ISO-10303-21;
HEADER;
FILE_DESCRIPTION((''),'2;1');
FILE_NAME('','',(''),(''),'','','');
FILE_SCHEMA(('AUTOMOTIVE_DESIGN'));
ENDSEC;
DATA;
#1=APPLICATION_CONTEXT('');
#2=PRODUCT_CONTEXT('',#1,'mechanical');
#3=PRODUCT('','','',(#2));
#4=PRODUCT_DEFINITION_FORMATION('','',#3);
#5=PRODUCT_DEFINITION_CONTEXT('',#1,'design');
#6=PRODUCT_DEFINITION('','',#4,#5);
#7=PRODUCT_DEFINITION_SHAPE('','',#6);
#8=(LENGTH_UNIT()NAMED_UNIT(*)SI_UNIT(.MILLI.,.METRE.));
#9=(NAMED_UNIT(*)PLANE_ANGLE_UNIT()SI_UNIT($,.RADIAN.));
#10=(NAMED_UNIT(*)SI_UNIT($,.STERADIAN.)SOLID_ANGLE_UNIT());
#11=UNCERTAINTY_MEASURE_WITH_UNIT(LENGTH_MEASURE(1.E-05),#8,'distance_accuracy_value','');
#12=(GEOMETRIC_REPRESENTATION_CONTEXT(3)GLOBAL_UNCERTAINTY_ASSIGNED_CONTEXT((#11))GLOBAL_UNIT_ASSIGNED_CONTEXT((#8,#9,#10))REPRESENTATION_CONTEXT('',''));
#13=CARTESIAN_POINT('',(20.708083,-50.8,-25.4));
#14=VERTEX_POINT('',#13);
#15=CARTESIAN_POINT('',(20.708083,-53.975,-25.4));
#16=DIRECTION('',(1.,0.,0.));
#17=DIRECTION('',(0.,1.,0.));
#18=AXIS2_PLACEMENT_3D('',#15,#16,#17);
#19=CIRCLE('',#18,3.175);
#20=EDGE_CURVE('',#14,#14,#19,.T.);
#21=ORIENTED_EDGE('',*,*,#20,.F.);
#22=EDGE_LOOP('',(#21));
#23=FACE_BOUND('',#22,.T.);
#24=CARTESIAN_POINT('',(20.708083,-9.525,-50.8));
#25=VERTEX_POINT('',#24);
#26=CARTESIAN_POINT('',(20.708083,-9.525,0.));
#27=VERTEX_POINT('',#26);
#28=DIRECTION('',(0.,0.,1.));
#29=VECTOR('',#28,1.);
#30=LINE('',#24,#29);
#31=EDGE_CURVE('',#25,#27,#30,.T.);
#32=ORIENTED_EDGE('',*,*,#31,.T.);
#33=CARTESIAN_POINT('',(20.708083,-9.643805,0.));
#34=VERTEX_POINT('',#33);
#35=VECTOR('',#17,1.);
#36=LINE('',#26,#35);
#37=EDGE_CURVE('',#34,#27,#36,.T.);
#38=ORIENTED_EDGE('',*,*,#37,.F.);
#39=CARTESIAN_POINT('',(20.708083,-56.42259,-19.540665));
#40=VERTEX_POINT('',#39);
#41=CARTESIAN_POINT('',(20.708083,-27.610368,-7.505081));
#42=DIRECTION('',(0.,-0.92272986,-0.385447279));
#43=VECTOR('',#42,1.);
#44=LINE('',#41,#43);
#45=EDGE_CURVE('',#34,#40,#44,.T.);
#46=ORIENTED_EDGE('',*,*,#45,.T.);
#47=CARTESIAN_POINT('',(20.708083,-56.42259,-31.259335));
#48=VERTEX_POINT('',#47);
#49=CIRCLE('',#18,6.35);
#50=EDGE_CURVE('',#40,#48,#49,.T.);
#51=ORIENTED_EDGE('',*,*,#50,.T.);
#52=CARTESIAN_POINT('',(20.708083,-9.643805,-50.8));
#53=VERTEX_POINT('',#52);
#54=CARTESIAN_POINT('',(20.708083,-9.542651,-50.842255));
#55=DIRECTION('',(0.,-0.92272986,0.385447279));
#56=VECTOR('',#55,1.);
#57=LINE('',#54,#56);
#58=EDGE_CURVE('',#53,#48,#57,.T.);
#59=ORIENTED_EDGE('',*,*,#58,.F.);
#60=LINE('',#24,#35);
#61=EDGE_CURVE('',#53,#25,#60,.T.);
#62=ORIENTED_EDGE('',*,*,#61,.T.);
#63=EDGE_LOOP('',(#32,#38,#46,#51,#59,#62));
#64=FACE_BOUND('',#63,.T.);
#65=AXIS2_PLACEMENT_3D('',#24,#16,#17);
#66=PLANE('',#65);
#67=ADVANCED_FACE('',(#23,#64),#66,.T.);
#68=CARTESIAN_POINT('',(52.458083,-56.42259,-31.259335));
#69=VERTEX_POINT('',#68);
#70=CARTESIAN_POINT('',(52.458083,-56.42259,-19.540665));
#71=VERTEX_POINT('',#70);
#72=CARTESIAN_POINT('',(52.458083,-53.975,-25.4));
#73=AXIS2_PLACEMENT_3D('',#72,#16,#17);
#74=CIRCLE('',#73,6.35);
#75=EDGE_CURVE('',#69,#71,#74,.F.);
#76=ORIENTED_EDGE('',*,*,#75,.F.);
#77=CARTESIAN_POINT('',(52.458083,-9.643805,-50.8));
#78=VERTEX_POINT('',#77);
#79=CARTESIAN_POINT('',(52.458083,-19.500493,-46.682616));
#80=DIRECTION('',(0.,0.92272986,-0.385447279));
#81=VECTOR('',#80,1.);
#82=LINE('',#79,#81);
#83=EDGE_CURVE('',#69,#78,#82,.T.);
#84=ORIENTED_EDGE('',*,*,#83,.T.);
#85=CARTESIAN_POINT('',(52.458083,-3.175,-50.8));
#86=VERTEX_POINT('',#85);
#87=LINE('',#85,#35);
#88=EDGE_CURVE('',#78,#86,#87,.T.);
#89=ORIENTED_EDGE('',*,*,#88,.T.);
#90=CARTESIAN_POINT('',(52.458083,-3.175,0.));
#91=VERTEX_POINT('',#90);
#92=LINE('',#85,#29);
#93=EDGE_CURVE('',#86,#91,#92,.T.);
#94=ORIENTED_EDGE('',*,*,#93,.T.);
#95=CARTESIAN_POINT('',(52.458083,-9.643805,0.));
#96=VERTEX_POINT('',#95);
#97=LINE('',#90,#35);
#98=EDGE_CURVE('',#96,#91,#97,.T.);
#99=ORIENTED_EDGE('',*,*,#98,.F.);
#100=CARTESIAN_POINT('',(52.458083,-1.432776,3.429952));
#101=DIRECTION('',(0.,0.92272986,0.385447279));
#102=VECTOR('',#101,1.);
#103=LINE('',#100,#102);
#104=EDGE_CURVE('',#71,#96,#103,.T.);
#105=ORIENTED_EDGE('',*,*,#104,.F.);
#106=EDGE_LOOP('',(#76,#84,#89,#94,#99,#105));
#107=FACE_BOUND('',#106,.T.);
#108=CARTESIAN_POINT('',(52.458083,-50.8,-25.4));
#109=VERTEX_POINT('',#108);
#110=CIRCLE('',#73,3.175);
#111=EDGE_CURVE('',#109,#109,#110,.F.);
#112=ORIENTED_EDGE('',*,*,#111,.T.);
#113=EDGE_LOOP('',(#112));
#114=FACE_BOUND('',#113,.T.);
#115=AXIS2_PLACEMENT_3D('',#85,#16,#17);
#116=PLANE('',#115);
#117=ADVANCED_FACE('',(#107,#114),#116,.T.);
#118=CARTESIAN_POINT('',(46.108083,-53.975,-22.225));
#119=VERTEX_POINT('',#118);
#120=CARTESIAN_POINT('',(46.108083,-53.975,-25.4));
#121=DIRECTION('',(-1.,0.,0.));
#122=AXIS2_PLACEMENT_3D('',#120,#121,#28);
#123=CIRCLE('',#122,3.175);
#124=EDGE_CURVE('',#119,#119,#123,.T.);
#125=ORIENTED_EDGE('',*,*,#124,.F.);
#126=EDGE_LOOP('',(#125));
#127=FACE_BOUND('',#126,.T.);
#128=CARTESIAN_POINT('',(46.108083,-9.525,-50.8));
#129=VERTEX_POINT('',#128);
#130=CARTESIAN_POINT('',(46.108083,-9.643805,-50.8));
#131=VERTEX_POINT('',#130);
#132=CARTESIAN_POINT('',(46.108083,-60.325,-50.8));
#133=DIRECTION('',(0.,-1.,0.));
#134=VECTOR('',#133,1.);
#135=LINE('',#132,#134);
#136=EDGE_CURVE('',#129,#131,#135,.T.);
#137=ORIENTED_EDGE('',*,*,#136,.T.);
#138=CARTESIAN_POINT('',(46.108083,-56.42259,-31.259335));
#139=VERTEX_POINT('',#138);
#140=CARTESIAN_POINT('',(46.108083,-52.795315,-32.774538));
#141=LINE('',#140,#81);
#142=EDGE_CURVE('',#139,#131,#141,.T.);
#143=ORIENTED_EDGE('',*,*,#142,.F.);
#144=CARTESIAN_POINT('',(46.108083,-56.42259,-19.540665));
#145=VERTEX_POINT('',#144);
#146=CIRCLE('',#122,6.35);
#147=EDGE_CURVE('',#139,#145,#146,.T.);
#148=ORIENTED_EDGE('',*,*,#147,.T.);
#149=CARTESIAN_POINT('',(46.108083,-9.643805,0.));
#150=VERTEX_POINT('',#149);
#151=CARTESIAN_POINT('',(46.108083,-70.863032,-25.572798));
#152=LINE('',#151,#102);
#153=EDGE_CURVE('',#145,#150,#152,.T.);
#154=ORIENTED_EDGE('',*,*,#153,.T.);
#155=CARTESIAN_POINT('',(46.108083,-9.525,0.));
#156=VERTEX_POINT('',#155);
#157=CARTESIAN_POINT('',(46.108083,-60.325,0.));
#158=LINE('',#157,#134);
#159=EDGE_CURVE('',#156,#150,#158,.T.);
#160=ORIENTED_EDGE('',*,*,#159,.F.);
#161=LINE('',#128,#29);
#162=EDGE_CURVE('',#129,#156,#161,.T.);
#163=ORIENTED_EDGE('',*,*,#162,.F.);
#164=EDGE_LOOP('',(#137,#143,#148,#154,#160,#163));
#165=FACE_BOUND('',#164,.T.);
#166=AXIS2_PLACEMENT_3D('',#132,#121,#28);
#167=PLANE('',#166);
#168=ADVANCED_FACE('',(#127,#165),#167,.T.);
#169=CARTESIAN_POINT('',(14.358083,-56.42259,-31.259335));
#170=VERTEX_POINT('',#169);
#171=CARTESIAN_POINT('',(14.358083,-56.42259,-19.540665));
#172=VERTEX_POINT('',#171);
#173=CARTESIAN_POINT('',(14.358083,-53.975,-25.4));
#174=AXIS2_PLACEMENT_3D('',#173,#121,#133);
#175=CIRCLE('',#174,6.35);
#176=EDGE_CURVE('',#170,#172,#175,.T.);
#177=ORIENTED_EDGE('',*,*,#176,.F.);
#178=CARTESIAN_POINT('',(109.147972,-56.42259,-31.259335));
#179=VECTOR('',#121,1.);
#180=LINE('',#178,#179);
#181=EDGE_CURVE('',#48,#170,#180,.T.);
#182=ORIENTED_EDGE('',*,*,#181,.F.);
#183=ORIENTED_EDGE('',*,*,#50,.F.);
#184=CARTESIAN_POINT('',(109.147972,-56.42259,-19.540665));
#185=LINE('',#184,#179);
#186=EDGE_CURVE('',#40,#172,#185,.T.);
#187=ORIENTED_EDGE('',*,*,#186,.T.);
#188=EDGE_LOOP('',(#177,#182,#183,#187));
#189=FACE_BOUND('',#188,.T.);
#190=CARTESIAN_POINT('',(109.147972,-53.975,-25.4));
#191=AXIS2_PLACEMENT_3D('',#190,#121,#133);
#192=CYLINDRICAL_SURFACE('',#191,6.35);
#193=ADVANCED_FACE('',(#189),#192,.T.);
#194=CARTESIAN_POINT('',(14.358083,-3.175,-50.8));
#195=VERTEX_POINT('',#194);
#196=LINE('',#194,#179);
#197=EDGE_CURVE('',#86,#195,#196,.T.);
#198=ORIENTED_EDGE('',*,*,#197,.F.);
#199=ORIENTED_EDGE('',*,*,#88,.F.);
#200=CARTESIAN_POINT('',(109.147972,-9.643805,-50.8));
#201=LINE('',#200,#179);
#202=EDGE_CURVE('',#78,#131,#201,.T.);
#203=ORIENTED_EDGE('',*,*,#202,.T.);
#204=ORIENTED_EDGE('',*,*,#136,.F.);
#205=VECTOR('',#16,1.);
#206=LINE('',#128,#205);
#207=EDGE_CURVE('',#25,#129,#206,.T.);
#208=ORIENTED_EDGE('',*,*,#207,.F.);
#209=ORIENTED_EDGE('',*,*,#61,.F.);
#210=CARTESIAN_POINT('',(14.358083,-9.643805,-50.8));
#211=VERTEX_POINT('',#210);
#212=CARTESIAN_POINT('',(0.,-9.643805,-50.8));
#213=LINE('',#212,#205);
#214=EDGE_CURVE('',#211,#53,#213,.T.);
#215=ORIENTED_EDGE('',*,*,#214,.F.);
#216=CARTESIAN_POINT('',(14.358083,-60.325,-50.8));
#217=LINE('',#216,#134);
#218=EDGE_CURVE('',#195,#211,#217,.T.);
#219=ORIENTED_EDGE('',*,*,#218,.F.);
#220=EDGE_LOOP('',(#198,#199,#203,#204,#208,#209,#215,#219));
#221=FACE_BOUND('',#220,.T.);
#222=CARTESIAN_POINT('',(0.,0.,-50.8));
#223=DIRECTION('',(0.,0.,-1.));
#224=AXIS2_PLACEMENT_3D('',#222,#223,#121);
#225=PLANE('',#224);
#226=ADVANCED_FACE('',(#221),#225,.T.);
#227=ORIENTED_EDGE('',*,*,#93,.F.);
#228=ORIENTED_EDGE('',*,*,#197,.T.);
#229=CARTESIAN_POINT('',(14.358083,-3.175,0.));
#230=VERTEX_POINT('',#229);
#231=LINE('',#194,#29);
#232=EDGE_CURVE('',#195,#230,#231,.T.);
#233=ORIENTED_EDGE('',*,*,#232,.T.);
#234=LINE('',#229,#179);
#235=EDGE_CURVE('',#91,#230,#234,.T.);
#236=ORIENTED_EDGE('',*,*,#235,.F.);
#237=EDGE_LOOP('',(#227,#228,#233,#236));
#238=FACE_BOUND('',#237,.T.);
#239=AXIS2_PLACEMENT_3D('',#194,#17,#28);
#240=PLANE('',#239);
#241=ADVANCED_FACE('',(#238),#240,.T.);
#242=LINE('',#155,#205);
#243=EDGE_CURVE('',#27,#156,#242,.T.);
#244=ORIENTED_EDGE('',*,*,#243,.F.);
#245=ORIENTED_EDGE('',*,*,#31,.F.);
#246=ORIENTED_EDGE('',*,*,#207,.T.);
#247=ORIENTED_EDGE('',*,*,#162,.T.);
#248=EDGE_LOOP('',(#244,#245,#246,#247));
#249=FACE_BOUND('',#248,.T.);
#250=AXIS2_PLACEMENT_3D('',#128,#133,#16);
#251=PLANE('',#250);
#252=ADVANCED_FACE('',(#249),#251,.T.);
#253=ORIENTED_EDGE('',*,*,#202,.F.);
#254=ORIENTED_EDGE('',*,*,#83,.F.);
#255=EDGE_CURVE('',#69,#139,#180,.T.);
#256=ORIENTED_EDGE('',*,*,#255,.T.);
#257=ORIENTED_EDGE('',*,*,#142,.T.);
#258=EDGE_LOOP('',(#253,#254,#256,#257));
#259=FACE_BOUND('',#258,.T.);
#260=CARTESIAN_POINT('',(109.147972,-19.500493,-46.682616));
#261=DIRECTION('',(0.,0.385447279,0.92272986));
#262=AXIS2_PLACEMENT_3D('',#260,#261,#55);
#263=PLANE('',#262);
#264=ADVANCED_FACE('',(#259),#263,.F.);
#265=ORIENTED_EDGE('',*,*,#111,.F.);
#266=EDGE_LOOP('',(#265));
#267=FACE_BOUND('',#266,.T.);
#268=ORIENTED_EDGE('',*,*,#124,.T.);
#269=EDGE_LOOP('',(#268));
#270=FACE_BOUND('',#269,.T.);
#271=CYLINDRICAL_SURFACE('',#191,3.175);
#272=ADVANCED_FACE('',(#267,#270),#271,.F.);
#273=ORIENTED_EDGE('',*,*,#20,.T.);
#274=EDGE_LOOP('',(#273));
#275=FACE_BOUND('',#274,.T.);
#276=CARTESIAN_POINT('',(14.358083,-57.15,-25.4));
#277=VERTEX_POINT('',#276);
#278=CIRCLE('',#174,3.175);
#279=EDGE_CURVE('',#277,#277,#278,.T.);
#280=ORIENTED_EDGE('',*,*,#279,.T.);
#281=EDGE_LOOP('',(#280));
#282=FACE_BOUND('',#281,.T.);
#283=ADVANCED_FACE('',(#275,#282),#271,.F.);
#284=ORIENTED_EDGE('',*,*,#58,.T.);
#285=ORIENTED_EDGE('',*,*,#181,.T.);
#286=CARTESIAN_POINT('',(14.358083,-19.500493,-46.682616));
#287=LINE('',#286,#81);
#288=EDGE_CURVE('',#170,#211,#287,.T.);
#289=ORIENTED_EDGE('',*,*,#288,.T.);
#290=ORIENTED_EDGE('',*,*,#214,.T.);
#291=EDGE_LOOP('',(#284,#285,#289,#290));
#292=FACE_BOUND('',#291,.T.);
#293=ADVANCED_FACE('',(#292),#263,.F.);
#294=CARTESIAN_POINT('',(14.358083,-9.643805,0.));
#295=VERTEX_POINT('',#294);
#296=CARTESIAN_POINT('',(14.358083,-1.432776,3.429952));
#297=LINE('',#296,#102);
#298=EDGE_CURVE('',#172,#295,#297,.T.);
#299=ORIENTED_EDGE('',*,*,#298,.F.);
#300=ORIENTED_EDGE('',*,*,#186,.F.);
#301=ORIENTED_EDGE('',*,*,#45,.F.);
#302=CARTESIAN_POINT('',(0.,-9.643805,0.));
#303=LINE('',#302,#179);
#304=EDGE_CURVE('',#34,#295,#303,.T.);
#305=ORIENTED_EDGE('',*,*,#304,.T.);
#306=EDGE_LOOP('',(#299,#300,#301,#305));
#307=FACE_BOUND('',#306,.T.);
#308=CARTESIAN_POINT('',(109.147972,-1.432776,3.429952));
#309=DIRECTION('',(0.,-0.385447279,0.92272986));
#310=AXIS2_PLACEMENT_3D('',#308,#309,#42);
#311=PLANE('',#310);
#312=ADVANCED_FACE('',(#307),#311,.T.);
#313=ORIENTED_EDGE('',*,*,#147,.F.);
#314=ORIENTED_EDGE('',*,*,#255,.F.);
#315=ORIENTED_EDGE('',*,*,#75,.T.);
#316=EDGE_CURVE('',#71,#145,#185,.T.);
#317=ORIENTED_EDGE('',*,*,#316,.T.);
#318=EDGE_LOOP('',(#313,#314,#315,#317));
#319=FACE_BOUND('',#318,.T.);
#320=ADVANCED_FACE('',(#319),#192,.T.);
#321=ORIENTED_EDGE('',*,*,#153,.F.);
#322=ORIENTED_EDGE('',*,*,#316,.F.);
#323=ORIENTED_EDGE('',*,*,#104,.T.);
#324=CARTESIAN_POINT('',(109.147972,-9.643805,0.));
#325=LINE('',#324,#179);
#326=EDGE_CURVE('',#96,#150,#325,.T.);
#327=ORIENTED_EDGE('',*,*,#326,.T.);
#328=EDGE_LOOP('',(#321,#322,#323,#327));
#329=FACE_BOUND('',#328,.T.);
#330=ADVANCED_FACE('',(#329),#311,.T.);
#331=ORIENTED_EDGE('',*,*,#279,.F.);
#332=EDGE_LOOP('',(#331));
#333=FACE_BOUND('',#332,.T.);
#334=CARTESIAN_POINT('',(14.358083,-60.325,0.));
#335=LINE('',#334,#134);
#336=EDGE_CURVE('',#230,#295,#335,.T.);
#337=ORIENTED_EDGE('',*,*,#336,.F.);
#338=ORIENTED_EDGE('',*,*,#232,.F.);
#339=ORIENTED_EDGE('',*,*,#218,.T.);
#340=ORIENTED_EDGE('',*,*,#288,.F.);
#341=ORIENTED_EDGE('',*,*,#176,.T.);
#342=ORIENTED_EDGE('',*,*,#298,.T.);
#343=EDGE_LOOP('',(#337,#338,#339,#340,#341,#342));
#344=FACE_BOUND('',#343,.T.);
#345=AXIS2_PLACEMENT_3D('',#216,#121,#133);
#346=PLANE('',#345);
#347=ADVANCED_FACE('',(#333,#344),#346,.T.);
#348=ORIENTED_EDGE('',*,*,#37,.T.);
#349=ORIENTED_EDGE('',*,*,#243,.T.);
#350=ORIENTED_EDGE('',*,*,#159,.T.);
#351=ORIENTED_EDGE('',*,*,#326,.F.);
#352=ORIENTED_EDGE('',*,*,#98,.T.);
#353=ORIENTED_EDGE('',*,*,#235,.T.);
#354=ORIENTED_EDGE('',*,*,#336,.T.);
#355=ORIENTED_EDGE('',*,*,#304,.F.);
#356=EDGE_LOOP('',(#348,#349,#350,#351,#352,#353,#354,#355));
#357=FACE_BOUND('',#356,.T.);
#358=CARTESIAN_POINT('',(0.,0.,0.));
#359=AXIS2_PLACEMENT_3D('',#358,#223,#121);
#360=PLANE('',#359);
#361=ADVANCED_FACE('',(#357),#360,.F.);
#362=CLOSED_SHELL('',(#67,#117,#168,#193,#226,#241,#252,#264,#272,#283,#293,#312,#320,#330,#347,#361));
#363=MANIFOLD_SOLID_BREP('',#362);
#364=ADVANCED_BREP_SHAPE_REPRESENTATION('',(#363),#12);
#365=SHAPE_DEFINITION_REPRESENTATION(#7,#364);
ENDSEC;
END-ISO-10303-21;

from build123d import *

# Parameters (mm, degrees)
BOSS_EXTRUDE1_DEPTH = 50.8
CUT_EXTRUDE1_REACH  = 89.586


with BuildPart() as part:
    # Sketch1 → Boss-Extrude1 (new body)
    with BuildSketch(Plane.XY):
        Polygon((52.45808334, -3.175), (52.45808334, -60.325), (46.10808334, -60.325), (46.10808334, -9.525), (20.70808334, -9.525), (20.70808334, -60.325), (14.35808334, -60.325), (14.35808334, -3.175), align=None)
    extrude(amount=-BOSS_EXTRUDE1_DEPTH)

    # Cut-Extrude1: up to this face of the body (flat: up to its plane)
    cut_extrude1_end = Plane(part.part.faces().sort_by_distance((52.45808334, -31.75, -25.4))[0])
    # Sketch2 → Cut-Extrude1 (cut, up to the picked face)
    with BuildSketch(Plane.ZY.offset(-14.35808334), mode=Mode.PRIVATE) as cut_extrude1_sk1:
        with BuildLine():
            ThreePointArc((-22.225, -53.975), (-23.15493597, -51.72993597), (-25.4, -50.8))
            Line((-25.4, -50.8), (-25.4, -57.15))
            ThreePointArc((-25.4, -57.15), (-23.15493597, -56.22006403), (-22.225, -53.975))
        make_face()
    cut_extrude1_tool1 = split(extrude(cut_extrude1_sk1.sketch, amount=-CUT_EXTRUDE1_REACH, mode=Mode.PRIVATE), bisect_by=cut_extrude1_end, keep=Keep.BOTH, mode=Mode.PRIVATE)
    # Sketch2 → Cut-Extrude1 (cut, up to the picked face)
    with BuildSketch(Plane.ZY.offset(-14.35808334), mode=Mode.PRIVATE) as cut_extrude1_sk2:
        with BuildLine():
            Line((-25.4, -57.15), (-25.4, -50.8))
            ThreePointArc((-25.4, -50.8), (-28.575, -53.975), (-25.4, -57.15))
        make_face()
    cut_extrude1_tool2 = split(extrude(cut_extrude1_sk2.sketch, amount=-CUT_EXTRUDE1_REACH, mode=Mode.PRIVATE), bisect_by=cut_extrude1_end, keep=Keep.BOTH, mode=Mode.PRIVATE)
    # Sketch2 → Cut-Extrude1 (cut, up to the picked face)
    with BuildSketch(Plane.ZY.offset(-14.35808334), mode=Mode.PRIVATE) as cut_extrude1_sk3:
        with BuildLine():
            ThreePointArc((-22.225, -53.975), (-23.15493597, -51.72993597), (-25.4, -50.8))
            Line((-25.4, -50.8), (-25.4, -57.15))
            ThreePointArc((-25.4, -57.15), (-23.15493597, -56.22006403), (-22.225, -53.975))
        make_face()
    cut_extrude1_tool3 = split(extrude(cut_extrude1_sk3.sketch, amount=-CUT_EXTRUDE1_REACH, mode=Mode.PRIVATE), bisect_by=cut_extrude1_end, keep=Keep.BOTH, mode=Mode.PRIVATE)
    # Sketch2 → Cut-Extrude1 (cut, up to the picked face)
    with BuildSketch(Plane.ZY.offset(-14.35808334), mode=Mode.PRIVATE) as cut_extrude1_sk4:
        with BuildLine():
            Line((-25.4, -57.15), (-25.4, -50.8))
            ThreePointArc((-25.4, -50.8), (-28.575, -53.975), (-25.4, -57.15))
        make_face()
    cut_extrude1_tool4 = split(extrude(cut_extrude1_sk4.sketch, amount=-CUT_EXTRUDE1_REACH, mode=Mode.PRIVATE), bisect_by=cut_extrude1_end, keep=Keep.BOTH, mode=Mode.PRIVATE)
    # Sketch2 → Cut-Extrude1 (cut, up to the picked face)
    with BuildSketch(Plane.ZY.offset(-14.35808334), mode=Mode.PRIVATE) as cut_extrude1_sk5:
        with BuildLine():
            Line((0, -9.643805147), (-19.540665388, -56.422590224))
            ThreePointArc((-19.540665388, -56.422590224), (-21.880035364, -59.260106334), (-25.4, -60.325))
            Line((-25.4, -60.325), (0, -60.325))
            Line((0, -60.325), (0, -9.643805147))
        make_face()
    cut_extrude1_tool5 = split(extrude(cut_extrude1_sk5.sketch, amount=-CUT_EXTRUDE1_REACH, mode=Mode.PRIVATE), bisect_by=cut_extrude1_end, keep=Keep.BOTH, mode=Mode.PRIVATE)
    # Sketch2 → Cut-Extrude1 (cut, up to the picked face)
    with BuildSketch(Plane.ZY.offset(-14.35808334), mode=Mode.PRIVATE) as cut_extrude1_sk6:
        with BuildLine():
            ThreePointArc((-25.4, -60.325), (-28.919964636, -59.260106334), (-31.259334612, -56.422590224))
            Line((-31.259334612, -56.422590224), (-50.8, -9.643805147))
            Line((-50.8, -9.643805147), (-50.8, -60.325))
            Line((-50.8, -60.325), (-25.4, -60.325))
        make_face()
    cut_extrude1_tool6 = split(extrude(cut_extrude1_sk6.sketch, amount=-CUT_EXTRUDE1_REACH, mode=Mode.PRIVATE), bisect_by=cut_extrude1_end, keep=Keep.BOTH, mode=Mode.PRIVATE)
    add(cut_extrude1_tool1.solids().sort_by(Axis((14.358083, -53.975, -24.052488), (1, 0, 0)))[0], mode=Mode.SUBTRACT)
    add(cut_extrude1_tool2.solids().sort_by(Axis((14.358083, -53.975, -26.747512), (1, 0, 0)))[0], mode=Mode.SUBTRACT)
    add(cut_extrude1_tool3.solids().sort_by(Axis((14.358083, -53.975, -24.052488), (1, 0, 0)))[0], mode=Mode.SUBTRACT)
    add(cut_extrude1_tool4.solids().sort_by(Axis((14.358083, -53.975, -26.747512), (1, 0, 0)))[0], mode=Mode.SUBTRACT)
    add(cut_extrude1_tool5.solids().sort_by(Axis((14.358083, -43.525452, -7.142919), (1, 0, 0)))[0], mode=Mode.SUBTRACT)
    add(cut_extrude1_tool6.solids().sort_by(Axis((14.358083, -43.525452, -43.657081), (1, 0, 0)))[0], mode=Mode.SUBTRACT)


solid = part.part
